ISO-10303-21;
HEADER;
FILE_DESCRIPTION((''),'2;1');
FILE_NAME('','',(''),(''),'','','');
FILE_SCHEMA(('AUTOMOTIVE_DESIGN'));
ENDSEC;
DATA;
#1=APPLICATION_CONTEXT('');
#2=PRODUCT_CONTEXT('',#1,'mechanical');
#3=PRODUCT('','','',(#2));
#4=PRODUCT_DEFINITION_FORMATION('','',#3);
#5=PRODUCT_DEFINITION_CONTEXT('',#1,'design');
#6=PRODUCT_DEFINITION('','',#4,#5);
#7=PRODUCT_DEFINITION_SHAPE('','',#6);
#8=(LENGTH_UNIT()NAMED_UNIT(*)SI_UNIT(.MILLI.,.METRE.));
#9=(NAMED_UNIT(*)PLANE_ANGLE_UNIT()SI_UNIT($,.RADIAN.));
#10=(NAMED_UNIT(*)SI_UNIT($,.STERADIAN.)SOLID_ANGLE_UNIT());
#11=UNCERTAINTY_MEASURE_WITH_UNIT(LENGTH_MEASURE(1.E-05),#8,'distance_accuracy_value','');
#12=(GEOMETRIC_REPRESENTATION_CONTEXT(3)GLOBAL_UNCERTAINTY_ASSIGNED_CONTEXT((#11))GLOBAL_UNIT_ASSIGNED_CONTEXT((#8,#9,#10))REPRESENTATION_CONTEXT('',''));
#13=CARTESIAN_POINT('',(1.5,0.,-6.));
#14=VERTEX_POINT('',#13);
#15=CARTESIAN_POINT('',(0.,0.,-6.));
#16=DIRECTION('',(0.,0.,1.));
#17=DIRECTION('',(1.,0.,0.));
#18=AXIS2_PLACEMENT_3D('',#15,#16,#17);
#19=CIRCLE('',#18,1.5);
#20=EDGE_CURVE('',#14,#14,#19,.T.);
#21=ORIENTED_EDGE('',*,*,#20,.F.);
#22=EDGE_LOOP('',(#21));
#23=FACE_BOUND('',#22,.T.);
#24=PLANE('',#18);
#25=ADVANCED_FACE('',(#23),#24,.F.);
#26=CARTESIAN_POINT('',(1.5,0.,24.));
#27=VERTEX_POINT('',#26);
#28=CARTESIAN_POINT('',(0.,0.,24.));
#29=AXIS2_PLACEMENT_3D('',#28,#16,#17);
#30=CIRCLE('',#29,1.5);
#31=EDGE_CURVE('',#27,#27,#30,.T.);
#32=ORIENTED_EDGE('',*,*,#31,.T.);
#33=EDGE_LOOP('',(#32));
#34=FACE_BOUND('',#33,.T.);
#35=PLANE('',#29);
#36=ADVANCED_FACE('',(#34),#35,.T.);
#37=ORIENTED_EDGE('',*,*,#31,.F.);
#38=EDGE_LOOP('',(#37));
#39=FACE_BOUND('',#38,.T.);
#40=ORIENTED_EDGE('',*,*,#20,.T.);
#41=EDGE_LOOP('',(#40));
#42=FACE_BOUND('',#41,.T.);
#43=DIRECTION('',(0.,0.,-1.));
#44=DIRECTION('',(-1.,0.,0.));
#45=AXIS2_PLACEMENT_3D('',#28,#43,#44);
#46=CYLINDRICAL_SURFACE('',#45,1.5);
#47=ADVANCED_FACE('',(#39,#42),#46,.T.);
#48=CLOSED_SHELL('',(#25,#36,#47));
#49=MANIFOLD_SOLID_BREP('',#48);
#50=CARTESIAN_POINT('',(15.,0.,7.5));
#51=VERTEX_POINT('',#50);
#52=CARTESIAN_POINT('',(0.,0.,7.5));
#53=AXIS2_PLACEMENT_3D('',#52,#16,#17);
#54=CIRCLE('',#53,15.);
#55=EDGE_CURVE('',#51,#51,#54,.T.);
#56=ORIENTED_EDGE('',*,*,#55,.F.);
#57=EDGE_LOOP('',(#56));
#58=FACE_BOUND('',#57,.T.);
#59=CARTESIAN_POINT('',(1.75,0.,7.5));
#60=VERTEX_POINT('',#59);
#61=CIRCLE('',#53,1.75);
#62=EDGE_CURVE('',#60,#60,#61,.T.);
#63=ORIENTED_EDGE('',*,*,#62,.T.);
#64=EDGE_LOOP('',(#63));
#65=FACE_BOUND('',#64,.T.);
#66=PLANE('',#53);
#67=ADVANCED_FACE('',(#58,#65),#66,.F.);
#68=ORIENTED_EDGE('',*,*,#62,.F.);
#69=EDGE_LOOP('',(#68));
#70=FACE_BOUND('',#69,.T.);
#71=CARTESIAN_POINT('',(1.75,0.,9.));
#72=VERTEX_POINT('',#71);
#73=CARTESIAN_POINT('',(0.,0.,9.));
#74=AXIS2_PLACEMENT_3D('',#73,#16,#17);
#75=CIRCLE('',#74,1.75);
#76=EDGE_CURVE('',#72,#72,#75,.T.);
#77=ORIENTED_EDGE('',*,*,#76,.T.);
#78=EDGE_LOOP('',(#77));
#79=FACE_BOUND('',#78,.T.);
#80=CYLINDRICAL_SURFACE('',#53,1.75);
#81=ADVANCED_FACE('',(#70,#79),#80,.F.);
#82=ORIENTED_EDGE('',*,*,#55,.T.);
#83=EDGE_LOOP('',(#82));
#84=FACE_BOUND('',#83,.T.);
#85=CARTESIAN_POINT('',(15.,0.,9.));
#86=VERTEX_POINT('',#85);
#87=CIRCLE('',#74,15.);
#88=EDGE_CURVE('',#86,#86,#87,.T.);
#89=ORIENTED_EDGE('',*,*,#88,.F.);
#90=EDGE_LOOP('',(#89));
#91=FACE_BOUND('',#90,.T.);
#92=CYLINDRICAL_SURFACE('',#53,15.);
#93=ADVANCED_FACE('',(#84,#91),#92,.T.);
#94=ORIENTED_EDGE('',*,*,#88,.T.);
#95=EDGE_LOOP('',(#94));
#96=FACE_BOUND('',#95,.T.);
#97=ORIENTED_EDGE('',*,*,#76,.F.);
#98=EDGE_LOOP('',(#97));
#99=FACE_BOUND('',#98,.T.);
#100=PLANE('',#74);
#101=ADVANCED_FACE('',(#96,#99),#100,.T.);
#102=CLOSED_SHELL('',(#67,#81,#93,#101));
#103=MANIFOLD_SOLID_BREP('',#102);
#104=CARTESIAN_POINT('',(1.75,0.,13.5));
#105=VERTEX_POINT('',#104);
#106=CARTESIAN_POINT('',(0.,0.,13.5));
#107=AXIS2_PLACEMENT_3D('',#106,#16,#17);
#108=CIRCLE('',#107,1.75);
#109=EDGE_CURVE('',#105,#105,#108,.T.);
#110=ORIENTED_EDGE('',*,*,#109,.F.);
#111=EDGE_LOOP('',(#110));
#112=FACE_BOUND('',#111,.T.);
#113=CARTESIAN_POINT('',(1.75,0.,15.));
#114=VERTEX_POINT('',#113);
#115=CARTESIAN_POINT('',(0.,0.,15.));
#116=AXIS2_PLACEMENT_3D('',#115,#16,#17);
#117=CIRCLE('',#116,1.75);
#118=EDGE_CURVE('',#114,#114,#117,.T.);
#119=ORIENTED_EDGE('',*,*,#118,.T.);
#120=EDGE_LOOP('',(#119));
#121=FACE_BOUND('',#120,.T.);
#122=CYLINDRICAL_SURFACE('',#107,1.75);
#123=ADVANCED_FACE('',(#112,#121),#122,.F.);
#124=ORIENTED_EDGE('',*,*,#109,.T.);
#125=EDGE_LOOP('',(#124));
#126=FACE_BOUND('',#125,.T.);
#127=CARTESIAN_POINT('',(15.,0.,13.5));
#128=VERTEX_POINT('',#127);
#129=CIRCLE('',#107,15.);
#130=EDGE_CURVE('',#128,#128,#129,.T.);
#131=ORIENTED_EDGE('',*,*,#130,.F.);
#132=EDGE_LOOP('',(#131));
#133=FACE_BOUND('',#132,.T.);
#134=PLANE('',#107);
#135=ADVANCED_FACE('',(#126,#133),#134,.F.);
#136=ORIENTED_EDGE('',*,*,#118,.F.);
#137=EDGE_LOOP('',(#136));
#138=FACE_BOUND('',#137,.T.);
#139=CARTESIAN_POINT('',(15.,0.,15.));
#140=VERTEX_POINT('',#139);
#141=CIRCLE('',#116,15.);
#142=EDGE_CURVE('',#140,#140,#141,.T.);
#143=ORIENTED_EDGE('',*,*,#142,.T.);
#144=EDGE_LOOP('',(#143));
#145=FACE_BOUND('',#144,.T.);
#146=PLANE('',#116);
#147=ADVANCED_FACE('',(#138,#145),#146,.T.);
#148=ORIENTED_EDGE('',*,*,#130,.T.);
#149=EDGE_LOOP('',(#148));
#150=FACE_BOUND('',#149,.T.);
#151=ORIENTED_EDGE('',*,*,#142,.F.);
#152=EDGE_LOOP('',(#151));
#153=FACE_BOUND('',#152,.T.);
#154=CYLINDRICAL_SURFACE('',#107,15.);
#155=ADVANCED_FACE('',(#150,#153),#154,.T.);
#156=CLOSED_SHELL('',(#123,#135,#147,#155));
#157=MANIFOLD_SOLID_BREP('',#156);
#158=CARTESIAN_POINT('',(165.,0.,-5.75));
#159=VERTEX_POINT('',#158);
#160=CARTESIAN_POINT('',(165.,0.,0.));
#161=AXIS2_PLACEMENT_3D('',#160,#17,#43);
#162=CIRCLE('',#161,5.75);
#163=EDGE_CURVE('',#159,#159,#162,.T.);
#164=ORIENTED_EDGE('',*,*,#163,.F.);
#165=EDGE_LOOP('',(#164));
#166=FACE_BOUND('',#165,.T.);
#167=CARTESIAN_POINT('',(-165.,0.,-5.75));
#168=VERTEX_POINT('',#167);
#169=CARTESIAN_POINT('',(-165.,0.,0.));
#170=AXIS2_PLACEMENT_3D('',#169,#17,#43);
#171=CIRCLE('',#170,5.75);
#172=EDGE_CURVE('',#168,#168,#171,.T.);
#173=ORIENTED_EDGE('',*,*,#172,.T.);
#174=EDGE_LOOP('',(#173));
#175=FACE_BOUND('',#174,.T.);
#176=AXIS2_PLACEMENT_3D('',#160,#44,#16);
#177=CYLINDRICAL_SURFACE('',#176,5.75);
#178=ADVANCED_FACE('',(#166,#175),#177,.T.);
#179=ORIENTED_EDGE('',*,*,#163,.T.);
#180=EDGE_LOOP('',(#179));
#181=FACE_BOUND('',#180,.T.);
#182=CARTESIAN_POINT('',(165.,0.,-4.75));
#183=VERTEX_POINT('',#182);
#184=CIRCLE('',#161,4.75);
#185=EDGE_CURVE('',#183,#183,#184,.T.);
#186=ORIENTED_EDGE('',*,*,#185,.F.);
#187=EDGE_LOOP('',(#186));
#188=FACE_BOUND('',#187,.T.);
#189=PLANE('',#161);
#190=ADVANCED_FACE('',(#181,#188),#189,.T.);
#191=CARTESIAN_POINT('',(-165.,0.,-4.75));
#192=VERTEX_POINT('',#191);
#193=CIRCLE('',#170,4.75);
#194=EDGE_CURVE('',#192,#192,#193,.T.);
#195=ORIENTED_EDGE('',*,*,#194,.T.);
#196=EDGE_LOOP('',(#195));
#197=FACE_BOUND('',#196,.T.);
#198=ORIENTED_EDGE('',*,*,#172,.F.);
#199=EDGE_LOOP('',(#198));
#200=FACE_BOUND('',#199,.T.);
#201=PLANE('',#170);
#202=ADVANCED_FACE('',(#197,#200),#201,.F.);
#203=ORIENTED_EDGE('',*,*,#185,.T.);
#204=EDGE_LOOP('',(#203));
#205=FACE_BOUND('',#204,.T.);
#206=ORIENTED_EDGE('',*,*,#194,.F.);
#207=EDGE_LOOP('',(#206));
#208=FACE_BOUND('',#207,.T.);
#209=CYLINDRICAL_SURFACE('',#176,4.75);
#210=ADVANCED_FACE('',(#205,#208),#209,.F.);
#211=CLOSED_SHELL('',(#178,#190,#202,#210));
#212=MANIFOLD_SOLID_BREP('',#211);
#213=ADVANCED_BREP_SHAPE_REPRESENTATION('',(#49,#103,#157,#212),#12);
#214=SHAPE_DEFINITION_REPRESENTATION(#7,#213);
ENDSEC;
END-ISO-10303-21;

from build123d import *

# Parameters (mm, degrees)
ESQUISSE1_R                = 5.75
ESQUISSE1_R_2              = 4.75
EXTRU_MINCE1_DEPTH         = 165
BOSS_EXTRU_1_START         = -6
ESQUISSE2_R                = 1.5
BOSS_EXTRU_1_DEPTH         = 30
BOSS_EXTRU_2_START         = -9
ESQUISSE3_R                = 15
ESQUISSE3_R_2              = 1.75
BOSS_EXTRU_2_DEPTH         = 1.5
R_P_TITION_LIN_AIRE1_COUNT = 2
R_P_TITION_LIN_AIRE1_PITCH = 6


with BuildPart() as part:
    # Esquisse1 → Extru.-Mince1 (new, symmetric)
    with BuildSketch(Plane(origin=(0, 0, 0), x_dir=(0, 0, -1), z_dir=(1, 0, 0))):
        Circle(ESQUISSE1_R)
        Circle(ESQUISSE1_R_2, mode=Mode.SUBTRACT)
    extrude(amount=EXTRU_MINCE1_DEPTH, both=True)


with BuildPart() as body_2:
    # Esquisse2 → Boss.-Extru.1 (new body)
    with BuildSketch(Plane.XY.offset(BOSS_EXTRU_1_START)):
        Circle(ESQUISSE2_R)
    extrude(amount=BOSS_EXTRU_1_DEPTH)


with BuildPart() as body_3:
    # Esquisse3 → Boss.-Extru.2 (new body)
    with BuildSketch(Plane.XY.offset(24).offset(BOSS_EXTRU_2_START)):
        Circle(ESQUISSE3_R)
        Circle(ESQUISSE3_R_2, mode=Mode.SUBTRACT)
    extrude(amount=-BOSS_EXTRU_2_DEPTH)


with BuildPart() as r_p_tition_lin_aire1_1:
    # Répétition linéaire1: pattern copy
    add(body_3.part.moved(Location(Vector(0, 0, -1) * (1 * R_P_TITION_LIN_AIRE1_PITCH))))


solid = Compound([part.part, body_2.part, body_3.part, r_p_tition_lin_aire1_1.part])
